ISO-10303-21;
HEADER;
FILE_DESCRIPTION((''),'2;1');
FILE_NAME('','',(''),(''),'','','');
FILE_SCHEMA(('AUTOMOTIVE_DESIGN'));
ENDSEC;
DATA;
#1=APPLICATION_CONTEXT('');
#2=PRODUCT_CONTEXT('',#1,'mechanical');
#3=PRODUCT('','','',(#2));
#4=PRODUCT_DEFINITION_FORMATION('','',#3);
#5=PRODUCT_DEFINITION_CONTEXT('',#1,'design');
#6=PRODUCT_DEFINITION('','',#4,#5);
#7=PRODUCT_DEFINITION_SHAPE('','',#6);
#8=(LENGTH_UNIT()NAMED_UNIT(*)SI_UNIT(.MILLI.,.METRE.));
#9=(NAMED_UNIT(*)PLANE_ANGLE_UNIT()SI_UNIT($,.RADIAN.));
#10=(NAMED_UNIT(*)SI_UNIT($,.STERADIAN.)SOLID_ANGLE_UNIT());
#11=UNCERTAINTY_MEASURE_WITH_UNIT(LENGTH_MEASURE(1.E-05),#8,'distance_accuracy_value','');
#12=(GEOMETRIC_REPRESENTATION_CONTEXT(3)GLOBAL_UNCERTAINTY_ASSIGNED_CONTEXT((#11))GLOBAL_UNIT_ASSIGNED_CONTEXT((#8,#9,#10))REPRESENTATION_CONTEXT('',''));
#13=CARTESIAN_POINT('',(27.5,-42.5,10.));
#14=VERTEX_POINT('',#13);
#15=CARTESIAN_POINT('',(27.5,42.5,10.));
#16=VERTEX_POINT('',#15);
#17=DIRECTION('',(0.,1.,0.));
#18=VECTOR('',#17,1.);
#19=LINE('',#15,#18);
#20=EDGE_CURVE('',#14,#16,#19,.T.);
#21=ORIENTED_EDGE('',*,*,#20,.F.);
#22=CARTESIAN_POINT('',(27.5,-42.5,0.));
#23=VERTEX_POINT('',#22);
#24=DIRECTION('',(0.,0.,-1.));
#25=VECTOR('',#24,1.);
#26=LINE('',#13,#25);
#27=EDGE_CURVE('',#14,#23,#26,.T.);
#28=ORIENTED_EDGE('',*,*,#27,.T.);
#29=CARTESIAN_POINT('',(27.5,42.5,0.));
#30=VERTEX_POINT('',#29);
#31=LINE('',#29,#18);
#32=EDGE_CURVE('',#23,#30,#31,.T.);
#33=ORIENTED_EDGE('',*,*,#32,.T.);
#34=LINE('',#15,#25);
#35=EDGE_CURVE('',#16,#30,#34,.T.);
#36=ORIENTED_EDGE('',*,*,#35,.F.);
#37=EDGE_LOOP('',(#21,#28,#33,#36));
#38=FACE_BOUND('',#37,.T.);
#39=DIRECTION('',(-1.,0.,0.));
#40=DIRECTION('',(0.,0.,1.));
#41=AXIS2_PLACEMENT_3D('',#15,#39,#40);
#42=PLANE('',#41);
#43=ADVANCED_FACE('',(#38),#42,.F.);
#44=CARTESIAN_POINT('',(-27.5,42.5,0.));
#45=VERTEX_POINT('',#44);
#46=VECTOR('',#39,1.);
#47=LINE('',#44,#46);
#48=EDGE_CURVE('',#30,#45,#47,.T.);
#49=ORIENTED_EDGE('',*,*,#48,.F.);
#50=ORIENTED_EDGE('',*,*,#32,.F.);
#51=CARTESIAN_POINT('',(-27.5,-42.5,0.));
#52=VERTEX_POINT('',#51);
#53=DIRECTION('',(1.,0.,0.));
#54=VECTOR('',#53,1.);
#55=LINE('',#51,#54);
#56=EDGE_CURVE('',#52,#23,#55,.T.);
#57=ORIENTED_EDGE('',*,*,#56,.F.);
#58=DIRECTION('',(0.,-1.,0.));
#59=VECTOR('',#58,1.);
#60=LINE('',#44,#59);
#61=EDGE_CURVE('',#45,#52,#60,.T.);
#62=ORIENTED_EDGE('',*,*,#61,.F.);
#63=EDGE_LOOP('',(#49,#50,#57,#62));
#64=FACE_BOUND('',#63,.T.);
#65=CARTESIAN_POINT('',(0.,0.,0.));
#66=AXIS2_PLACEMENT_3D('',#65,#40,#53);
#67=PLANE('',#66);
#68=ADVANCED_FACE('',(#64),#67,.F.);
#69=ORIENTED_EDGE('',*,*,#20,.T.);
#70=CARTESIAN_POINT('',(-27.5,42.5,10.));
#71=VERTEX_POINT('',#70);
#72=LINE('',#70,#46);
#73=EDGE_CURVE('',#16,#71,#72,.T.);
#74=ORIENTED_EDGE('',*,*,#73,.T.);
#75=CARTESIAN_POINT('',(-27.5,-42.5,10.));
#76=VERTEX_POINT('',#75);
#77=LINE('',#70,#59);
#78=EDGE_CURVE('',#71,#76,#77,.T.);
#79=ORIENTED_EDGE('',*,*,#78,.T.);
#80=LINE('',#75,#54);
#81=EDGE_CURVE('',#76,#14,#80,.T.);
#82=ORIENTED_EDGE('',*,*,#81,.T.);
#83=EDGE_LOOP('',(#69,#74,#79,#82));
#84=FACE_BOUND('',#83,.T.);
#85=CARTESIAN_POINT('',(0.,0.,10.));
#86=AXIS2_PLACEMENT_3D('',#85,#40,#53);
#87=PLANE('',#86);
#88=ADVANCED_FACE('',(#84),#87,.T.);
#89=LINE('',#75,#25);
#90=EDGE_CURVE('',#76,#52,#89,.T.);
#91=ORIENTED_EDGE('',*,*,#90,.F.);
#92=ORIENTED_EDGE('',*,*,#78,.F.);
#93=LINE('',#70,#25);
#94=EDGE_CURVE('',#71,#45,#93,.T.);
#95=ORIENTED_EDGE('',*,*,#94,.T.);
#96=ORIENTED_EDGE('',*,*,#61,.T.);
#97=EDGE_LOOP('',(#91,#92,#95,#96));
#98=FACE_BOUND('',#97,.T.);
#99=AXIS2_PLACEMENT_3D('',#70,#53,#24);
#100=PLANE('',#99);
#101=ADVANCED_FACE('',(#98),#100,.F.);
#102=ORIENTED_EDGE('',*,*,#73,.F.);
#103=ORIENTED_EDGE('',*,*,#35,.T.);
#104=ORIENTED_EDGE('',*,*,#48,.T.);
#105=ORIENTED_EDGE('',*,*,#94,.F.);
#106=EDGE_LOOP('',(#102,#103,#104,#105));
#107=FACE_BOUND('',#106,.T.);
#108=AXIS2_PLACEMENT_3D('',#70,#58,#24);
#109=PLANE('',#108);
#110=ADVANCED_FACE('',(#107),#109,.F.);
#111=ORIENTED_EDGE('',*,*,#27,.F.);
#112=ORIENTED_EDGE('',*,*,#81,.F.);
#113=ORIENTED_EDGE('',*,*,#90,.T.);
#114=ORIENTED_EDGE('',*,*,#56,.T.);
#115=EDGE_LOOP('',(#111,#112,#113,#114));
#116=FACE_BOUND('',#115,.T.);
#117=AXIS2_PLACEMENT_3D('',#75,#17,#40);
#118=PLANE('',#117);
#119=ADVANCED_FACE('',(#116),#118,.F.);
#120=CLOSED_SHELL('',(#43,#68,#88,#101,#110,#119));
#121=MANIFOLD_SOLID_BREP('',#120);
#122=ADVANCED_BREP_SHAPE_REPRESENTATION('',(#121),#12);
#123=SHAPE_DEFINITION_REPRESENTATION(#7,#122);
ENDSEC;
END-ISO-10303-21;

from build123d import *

# Parameters (mm, degrees)
ESQUISSE1_W        = 55
ESQUISSE1_H        = 85
BOSS_EXTRU_1_DEPTH = 10


with BuildPart() as part:
    # Esquisse1 → Boss.-Extru.1 (new body)
    with BuildSketch(Plane.XY):
        Rectangle(ESQUISSE1_W, ESQUISSE1_H)
    extrude(amount=BOSS_EXTRU_1_DEPTH)


solid = part.part
